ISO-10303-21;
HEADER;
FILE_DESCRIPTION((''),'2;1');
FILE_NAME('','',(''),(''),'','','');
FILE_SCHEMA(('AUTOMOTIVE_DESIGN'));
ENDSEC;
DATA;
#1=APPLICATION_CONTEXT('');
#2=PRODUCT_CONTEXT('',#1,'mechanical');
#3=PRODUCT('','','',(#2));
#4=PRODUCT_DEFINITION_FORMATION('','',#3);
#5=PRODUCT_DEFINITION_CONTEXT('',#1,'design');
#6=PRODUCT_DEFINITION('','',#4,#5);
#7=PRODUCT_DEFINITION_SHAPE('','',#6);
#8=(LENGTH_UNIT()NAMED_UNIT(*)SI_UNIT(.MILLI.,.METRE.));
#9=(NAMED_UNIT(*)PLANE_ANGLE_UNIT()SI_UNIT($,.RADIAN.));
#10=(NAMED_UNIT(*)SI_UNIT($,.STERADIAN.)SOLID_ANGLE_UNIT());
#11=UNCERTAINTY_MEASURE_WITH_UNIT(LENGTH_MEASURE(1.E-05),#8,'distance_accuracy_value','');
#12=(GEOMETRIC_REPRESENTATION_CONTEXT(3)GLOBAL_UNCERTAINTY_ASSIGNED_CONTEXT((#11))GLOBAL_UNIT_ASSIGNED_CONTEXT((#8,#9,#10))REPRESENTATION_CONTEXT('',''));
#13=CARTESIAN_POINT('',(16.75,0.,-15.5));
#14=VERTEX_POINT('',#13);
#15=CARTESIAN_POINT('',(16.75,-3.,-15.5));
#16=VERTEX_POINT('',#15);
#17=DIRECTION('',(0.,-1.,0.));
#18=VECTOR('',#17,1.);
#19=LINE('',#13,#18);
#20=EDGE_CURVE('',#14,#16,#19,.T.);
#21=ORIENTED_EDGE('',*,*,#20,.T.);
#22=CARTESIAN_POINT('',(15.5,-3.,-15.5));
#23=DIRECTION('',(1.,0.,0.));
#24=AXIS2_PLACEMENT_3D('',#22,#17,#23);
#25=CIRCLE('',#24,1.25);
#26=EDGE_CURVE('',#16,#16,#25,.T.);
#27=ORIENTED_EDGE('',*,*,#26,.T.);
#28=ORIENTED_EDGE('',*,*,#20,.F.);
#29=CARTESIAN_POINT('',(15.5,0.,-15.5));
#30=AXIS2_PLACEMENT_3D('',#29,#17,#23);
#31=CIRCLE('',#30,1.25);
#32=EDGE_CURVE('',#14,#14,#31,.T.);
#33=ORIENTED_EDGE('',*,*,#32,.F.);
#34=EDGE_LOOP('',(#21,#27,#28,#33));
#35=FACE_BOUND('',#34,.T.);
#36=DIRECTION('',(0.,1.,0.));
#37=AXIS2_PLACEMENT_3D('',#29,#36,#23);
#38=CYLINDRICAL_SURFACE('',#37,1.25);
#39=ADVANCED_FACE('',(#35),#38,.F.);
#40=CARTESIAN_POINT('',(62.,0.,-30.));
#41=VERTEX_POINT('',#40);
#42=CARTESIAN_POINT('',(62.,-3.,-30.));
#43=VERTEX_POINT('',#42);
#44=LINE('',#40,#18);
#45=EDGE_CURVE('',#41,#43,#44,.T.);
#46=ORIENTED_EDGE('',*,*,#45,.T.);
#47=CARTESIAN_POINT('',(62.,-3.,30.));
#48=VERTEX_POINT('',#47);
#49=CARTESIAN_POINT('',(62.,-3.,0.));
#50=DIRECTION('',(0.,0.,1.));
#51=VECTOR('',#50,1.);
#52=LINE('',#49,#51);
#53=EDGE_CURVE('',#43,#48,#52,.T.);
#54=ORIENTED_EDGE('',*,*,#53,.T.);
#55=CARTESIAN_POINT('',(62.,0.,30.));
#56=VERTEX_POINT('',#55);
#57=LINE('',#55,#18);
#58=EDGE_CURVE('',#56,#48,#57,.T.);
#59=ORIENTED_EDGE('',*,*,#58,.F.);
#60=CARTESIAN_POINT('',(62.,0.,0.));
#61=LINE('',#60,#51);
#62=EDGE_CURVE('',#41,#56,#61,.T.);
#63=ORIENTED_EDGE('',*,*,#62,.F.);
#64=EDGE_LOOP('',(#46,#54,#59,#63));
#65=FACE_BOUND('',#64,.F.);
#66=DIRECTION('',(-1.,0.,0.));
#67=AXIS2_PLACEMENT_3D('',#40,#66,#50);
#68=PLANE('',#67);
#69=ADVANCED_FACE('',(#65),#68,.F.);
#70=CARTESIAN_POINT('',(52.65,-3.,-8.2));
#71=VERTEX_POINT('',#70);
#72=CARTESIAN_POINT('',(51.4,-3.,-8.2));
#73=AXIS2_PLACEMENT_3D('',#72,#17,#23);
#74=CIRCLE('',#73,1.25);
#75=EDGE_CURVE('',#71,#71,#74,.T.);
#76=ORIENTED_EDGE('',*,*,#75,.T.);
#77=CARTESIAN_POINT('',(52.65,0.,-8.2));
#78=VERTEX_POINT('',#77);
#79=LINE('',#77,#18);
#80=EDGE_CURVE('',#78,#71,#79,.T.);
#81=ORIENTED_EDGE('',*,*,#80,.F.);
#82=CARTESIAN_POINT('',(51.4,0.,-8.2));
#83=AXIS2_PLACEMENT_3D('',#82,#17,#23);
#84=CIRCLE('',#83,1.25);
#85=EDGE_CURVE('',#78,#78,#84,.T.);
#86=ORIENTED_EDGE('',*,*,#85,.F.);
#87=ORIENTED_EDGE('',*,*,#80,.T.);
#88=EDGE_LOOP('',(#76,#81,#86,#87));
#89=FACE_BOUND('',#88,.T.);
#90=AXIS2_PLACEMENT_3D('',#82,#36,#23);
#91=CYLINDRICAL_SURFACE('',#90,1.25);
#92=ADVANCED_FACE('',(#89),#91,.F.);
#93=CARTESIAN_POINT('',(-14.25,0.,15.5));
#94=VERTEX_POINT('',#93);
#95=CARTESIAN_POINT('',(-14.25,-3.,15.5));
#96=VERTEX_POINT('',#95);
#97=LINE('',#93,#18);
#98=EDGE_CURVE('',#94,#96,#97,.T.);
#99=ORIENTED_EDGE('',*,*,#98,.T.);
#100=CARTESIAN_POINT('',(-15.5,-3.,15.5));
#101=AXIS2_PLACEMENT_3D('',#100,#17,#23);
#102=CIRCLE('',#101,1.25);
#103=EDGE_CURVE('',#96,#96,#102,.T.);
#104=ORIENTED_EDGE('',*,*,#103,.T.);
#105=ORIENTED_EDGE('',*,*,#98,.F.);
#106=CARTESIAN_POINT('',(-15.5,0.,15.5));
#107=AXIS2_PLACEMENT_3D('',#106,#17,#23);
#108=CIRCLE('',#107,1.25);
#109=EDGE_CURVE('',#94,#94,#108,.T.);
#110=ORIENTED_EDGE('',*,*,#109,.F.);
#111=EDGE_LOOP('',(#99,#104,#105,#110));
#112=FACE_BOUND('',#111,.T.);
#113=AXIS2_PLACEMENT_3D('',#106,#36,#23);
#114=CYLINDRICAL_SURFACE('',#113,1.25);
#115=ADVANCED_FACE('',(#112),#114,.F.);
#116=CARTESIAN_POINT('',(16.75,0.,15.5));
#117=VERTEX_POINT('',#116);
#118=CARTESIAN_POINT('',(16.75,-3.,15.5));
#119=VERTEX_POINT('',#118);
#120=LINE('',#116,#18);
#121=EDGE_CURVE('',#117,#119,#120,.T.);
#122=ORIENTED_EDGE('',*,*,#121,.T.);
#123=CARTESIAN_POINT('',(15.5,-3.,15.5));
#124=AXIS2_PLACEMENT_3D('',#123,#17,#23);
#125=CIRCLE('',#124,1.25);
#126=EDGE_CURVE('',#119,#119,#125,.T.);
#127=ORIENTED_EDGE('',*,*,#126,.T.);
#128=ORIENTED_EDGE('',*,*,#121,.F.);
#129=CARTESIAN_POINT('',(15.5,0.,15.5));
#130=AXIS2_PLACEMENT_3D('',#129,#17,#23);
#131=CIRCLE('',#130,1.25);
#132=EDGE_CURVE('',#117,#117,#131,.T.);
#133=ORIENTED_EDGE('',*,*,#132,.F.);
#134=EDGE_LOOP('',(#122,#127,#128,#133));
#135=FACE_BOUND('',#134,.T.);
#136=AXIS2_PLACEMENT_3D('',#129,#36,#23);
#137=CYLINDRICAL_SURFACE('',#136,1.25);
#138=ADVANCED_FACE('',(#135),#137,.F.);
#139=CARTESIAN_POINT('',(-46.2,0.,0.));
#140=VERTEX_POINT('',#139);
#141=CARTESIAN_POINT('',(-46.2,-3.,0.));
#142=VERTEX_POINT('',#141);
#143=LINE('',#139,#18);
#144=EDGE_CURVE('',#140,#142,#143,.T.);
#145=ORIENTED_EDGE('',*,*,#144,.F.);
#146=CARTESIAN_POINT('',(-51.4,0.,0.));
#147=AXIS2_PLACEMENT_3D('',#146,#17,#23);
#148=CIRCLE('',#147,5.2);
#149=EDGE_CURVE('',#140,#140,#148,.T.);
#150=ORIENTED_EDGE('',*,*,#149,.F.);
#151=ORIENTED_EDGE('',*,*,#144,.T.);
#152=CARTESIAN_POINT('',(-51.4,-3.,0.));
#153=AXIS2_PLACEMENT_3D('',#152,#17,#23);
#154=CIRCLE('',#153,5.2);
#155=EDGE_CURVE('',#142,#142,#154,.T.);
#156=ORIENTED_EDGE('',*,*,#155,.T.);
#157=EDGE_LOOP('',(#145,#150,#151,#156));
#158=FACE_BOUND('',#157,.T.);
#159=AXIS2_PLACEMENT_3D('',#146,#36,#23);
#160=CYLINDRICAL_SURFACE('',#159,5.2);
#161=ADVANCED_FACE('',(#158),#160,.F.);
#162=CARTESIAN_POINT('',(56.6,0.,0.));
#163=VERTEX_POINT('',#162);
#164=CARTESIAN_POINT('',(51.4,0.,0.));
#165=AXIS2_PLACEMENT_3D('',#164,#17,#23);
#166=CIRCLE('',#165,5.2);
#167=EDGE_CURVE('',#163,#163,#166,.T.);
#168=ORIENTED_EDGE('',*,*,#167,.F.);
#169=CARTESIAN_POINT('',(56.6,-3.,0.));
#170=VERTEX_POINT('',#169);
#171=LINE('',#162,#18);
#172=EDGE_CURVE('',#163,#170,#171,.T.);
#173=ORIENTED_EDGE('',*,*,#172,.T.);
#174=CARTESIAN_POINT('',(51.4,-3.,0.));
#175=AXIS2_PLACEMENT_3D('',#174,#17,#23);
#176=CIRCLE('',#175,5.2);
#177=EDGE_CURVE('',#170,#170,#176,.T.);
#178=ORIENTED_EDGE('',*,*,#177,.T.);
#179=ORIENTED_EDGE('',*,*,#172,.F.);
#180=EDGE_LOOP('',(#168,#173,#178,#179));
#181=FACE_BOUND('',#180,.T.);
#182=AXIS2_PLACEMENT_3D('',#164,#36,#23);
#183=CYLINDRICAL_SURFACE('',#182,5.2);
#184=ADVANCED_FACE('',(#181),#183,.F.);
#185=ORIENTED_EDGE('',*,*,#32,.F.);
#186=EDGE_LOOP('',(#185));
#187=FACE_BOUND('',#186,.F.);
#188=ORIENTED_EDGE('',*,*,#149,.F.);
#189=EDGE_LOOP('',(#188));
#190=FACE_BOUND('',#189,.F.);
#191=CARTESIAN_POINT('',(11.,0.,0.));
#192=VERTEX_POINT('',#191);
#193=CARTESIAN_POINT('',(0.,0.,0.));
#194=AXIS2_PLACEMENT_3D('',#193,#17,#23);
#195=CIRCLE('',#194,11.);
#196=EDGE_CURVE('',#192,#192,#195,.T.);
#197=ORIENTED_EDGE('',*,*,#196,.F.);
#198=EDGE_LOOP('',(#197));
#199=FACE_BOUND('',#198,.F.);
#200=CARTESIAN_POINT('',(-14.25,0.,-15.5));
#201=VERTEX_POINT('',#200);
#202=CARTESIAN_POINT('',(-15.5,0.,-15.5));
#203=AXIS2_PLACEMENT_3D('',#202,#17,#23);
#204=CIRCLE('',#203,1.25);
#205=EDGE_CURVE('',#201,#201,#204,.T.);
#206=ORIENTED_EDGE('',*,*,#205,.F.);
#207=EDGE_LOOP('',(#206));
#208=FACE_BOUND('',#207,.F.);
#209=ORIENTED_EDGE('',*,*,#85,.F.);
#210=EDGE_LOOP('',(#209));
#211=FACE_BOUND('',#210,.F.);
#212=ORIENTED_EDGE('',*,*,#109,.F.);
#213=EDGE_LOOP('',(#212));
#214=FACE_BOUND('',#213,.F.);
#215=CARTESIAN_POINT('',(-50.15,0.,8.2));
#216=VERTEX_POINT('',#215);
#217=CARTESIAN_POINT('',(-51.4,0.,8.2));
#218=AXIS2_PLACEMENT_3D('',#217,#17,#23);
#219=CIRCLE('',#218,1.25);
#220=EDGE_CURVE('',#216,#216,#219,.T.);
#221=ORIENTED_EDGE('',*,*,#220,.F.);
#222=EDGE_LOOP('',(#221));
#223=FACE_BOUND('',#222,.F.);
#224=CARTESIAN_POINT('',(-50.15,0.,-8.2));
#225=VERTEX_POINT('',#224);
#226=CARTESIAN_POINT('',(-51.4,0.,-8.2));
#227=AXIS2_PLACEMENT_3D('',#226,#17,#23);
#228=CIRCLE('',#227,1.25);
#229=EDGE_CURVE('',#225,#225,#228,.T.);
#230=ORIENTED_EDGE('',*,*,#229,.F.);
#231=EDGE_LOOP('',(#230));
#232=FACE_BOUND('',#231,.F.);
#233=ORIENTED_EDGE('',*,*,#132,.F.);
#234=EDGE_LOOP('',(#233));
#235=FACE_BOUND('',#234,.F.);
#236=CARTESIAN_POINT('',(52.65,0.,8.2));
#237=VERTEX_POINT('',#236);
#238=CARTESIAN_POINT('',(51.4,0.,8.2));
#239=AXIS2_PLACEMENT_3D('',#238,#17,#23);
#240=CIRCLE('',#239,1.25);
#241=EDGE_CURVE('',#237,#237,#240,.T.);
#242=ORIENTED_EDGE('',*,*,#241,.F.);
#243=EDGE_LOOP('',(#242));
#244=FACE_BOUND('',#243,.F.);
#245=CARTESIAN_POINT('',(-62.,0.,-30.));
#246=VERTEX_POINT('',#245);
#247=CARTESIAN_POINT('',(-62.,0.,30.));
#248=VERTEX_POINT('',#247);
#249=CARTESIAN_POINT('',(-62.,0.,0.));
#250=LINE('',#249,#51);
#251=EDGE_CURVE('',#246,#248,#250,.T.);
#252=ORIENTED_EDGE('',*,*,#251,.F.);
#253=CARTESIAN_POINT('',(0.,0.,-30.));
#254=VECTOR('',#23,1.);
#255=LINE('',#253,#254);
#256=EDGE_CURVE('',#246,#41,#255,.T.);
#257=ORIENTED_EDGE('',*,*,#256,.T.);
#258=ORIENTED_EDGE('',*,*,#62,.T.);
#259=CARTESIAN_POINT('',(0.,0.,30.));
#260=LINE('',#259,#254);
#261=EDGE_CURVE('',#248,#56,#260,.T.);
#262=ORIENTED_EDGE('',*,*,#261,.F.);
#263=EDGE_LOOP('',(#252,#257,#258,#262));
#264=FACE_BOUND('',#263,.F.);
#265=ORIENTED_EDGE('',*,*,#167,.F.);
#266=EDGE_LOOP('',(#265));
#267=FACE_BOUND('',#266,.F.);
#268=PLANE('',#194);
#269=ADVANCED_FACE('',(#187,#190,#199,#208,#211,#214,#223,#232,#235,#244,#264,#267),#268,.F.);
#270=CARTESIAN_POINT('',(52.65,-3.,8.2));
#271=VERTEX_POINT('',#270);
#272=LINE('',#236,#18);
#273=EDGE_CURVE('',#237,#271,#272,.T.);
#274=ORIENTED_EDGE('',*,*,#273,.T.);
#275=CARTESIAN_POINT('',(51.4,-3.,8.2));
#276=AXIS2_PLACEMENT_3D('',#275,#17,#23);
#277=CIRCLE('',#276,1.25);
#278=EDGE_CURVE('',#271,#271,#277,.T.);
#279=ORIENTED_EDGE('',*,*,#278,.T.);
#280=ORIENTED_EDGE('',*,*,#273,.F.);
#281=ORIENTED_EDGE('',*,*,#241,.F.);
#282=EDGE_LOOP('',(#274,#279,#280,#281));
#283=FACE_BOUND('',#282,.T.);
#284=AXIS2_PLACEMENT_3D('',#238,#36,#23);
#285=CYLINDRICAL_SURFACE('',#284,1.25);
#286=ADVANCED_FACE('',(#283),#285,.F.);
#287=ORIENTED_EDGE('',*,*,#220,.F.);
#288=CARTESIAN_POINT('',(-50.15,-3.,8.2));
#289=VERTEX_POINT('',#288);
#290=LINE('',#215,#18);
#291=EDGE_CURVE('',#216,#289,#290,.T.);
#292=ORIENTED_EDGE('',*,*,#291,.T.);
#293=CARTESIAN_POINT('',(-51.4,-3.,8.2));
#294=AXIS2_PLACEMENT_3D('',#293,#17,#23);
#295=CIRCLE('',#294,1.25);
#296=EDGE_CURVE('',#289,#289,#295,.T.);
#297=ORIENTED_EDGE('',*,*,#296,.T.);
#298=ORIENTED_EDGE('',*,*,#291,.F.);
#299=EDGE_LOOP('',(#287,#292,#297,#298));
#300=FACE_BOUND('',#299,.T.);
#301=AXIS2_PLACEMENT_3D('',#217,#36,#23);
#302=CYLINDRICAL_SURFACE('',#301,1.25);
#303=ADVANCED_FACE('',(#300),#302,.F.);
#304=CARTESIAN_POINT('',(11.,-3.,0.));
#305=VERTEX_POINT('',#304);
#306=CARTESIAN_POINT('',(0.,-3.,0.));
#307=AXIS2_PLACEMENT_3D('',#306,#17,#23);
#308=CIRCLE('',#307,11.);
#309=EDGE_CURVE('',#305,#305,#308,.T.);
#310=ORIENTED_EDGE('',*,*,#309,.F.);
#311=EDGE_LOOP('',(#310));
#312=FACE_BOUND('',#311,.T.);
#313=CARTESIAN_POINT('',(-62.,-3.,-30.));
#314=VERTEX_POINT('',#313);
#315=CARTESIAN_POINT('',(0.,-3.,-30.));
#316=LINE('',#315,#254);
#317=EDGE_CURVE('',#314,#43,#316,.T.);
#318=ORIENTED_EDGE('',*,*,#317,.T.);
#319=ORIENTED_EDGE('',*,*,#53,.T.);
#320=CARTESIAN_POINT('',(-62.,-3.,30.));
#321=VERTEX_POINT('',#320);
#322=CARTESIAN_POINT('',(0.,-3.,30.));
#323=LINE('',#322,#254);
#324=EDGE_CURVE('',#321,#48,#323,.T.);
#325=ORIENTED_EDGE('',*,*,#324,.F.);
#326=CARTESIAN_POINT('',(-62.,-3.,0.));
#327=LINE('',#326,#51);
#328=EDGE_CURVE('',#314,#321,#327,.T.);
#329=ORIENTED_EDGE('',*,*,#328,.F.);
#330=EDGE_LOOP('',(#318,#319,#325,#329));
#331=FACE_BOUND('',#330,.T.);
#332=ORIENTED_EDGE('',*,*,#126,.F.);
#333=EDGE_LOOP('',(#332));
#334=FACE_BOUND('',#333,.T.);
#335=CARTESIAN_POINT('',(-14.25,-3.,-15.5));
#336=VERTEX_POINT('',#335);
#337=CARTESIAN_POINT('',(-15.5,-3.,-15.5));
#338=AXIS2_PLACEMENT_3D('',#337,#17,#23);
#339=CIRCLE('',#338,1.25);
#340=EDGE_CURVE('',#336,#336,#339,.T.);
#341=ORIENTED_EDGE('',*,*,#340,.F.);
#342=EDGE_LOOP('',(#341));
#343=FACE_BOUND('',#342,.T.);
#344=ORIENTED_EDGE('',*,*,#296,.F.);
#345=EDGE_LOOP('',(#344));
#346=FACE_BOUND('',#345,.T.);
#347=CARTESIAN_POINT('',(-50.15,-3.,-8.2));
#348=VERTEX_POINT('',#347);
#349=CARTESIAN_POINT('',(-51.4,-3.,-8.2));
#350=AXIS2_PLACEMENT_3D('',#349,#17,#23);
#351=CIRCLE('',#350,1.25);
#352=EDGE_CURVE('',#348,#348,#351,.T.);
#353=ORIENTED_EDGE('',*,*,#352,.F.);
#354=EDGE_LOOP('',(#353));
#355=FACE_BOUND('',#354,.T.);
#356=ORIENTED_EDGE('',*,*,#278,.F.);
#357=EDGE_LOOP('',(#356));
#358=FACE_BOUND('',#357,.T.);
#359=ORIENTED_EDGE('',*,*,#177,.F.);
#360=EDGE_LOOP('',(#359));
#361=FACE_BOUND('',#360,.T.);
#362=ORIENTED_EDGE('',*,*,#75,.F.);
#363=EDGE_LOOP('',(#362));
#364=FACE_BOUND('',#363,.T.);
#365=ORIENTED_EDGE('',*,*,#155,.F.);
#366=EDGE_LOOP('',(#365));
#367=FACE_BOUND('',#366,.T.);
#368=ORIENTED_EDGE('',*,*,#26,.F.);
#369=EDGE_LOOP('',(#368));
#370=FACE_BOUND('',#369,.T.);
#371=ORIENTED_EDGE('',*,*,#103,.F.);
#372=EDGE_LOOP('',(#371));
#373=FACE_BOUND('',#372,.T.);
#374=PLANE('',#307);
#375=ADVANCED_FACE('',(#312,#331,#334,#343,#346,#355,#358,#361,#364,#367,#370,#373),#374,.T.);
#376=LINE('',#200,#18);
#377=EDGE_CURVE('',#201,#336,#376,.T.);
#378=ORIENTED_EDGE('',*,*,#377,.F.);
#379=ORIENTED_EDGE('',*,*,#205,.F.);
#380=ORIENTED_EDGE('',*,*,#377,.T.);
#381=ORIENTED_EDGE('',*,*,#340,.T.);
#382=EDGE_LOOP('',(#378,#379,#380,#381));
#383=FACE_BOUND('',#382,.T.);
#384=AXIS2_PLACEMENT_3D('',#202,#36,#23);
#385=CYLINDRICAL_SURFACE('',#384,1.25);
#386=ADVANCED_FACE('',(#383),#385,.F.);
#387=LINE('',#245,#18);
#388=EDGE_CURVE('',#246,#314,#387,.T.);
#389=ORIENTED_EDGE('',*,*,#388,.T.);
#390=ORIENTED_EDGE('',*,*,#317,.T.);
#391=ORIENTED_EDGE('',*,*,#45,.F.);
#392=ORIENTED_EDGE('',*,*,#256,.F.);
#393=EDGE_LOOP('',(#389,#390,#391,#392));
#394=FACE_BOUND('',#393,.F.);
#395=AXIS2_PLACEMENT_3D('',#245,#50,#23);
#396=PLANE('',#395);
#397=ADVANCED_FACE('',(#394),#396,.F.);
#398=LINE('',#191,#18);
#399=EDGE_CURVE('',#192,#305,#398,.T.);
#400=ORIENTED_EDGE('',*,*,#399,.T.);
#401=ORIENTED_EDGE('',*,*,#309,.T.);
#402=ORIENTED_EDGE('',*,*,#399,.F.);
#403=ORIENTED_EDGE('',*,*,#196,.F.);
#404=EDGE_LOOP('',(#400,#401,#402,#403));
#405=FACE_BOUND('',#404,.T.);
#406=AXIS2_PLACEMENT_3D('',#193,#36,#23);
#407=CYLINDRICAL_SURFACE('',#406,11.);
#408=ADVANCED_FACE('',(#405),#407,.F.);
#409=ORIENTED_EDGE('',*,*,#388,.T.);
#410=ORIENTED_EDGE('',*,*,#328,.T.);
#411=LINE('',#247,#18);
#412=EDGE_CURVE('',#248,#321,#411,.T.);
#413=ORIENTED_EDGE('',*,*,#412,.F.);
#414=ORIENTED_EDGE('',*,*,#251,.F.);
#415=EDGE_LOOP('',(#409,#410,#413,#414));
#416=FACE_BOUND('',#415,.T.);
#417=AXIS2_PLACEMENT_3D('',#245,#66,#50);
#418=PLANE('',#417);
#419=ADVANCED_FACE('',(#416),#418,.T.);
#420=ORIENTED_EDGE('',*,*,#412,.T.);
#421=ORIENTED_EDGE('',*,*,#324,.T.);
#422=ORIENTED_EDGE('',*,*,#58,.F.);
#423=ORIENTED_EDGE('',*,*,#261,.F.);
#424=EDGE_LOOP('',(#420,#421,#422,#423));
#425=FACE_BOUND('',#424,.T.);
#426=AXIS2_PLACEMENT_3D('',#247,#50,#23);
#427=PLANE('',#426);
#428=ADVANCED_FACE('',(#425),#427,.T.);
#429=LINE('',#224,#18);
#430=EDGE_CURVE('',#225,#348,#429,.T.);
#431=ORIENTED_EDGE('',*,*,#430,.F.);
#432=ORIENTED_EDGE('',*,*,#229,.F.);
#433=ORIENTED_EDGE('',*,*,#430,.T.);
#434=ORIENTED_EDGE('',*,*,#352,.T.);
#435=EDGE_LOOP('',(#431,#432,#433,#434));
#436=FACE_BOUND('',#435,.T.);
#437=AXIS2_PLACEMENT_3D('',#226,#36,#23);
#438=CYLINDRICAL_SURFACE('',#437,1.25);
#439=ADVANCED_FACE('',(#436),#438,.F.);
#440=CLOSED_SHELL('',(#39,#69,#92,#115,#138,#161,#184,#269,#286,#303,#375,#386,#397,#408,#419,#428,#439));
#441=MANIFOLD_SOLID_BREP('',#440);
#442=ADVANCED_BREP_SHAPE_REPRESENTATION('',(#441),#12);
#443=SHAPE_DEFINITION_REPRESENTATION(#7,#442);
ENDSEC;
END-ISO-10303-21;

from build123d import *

# Parameters (mm, degrees)
F0_W     = 124
F0_H     = 60
F0_R     = 1.25
F0_R_2   = 5.2
F0_R_3   = 11
F1_DEPTH = 3


with BuildPart() as f1:
    # F0 (on Front) → F1 (new body)
    with BuildSketch(Plane.XZ):
        Rectangle(F0_W, F0_H)
        with Locations((-15.5, -15.5)):
            Circle(F0_R, mode=Mode.SUBTRACT)
        with Locations((-51.4, -8.2)):
            Circle(F0_R, mode=Mode.SUBTRACT)
        with Locations((15.5, -15.5)):
            Circle(F0_R, mode=Mode.SUBTRACT)
        with Locations((51.4, -8.2)):
            Circle(F0_R, mode=Mode.SUBTRACT)
        with Locations((-51.4, 0)):
            Circle(F0_R_2, mode=Mode.SUBTRACT)
        with Locations((-51.4, 8.2)):
            Circle(F0_R, mode=Mode.SUBTRACT)
        with Locations((-15.5, 15.5)):
            Circle(F0_R, mode=Mode.SUBTRACT)
        Circle(F0_R_3, mode=Mode.SUBTRACT)
        with Locations((51.4, 0)):
            Circle(F0_R_2, mode=Mode.SUBTRACT)
        with Locations((51.4, 8.2)):
            Circle(F0_R, mode=Mode.SUBTRACT)
        with Locations((15.5, 15.5)):
            Circle(F0_R, mode=Mode.SUBTRACT)
    extrude(amount=F1_DEPTH)


solid = f1.part
